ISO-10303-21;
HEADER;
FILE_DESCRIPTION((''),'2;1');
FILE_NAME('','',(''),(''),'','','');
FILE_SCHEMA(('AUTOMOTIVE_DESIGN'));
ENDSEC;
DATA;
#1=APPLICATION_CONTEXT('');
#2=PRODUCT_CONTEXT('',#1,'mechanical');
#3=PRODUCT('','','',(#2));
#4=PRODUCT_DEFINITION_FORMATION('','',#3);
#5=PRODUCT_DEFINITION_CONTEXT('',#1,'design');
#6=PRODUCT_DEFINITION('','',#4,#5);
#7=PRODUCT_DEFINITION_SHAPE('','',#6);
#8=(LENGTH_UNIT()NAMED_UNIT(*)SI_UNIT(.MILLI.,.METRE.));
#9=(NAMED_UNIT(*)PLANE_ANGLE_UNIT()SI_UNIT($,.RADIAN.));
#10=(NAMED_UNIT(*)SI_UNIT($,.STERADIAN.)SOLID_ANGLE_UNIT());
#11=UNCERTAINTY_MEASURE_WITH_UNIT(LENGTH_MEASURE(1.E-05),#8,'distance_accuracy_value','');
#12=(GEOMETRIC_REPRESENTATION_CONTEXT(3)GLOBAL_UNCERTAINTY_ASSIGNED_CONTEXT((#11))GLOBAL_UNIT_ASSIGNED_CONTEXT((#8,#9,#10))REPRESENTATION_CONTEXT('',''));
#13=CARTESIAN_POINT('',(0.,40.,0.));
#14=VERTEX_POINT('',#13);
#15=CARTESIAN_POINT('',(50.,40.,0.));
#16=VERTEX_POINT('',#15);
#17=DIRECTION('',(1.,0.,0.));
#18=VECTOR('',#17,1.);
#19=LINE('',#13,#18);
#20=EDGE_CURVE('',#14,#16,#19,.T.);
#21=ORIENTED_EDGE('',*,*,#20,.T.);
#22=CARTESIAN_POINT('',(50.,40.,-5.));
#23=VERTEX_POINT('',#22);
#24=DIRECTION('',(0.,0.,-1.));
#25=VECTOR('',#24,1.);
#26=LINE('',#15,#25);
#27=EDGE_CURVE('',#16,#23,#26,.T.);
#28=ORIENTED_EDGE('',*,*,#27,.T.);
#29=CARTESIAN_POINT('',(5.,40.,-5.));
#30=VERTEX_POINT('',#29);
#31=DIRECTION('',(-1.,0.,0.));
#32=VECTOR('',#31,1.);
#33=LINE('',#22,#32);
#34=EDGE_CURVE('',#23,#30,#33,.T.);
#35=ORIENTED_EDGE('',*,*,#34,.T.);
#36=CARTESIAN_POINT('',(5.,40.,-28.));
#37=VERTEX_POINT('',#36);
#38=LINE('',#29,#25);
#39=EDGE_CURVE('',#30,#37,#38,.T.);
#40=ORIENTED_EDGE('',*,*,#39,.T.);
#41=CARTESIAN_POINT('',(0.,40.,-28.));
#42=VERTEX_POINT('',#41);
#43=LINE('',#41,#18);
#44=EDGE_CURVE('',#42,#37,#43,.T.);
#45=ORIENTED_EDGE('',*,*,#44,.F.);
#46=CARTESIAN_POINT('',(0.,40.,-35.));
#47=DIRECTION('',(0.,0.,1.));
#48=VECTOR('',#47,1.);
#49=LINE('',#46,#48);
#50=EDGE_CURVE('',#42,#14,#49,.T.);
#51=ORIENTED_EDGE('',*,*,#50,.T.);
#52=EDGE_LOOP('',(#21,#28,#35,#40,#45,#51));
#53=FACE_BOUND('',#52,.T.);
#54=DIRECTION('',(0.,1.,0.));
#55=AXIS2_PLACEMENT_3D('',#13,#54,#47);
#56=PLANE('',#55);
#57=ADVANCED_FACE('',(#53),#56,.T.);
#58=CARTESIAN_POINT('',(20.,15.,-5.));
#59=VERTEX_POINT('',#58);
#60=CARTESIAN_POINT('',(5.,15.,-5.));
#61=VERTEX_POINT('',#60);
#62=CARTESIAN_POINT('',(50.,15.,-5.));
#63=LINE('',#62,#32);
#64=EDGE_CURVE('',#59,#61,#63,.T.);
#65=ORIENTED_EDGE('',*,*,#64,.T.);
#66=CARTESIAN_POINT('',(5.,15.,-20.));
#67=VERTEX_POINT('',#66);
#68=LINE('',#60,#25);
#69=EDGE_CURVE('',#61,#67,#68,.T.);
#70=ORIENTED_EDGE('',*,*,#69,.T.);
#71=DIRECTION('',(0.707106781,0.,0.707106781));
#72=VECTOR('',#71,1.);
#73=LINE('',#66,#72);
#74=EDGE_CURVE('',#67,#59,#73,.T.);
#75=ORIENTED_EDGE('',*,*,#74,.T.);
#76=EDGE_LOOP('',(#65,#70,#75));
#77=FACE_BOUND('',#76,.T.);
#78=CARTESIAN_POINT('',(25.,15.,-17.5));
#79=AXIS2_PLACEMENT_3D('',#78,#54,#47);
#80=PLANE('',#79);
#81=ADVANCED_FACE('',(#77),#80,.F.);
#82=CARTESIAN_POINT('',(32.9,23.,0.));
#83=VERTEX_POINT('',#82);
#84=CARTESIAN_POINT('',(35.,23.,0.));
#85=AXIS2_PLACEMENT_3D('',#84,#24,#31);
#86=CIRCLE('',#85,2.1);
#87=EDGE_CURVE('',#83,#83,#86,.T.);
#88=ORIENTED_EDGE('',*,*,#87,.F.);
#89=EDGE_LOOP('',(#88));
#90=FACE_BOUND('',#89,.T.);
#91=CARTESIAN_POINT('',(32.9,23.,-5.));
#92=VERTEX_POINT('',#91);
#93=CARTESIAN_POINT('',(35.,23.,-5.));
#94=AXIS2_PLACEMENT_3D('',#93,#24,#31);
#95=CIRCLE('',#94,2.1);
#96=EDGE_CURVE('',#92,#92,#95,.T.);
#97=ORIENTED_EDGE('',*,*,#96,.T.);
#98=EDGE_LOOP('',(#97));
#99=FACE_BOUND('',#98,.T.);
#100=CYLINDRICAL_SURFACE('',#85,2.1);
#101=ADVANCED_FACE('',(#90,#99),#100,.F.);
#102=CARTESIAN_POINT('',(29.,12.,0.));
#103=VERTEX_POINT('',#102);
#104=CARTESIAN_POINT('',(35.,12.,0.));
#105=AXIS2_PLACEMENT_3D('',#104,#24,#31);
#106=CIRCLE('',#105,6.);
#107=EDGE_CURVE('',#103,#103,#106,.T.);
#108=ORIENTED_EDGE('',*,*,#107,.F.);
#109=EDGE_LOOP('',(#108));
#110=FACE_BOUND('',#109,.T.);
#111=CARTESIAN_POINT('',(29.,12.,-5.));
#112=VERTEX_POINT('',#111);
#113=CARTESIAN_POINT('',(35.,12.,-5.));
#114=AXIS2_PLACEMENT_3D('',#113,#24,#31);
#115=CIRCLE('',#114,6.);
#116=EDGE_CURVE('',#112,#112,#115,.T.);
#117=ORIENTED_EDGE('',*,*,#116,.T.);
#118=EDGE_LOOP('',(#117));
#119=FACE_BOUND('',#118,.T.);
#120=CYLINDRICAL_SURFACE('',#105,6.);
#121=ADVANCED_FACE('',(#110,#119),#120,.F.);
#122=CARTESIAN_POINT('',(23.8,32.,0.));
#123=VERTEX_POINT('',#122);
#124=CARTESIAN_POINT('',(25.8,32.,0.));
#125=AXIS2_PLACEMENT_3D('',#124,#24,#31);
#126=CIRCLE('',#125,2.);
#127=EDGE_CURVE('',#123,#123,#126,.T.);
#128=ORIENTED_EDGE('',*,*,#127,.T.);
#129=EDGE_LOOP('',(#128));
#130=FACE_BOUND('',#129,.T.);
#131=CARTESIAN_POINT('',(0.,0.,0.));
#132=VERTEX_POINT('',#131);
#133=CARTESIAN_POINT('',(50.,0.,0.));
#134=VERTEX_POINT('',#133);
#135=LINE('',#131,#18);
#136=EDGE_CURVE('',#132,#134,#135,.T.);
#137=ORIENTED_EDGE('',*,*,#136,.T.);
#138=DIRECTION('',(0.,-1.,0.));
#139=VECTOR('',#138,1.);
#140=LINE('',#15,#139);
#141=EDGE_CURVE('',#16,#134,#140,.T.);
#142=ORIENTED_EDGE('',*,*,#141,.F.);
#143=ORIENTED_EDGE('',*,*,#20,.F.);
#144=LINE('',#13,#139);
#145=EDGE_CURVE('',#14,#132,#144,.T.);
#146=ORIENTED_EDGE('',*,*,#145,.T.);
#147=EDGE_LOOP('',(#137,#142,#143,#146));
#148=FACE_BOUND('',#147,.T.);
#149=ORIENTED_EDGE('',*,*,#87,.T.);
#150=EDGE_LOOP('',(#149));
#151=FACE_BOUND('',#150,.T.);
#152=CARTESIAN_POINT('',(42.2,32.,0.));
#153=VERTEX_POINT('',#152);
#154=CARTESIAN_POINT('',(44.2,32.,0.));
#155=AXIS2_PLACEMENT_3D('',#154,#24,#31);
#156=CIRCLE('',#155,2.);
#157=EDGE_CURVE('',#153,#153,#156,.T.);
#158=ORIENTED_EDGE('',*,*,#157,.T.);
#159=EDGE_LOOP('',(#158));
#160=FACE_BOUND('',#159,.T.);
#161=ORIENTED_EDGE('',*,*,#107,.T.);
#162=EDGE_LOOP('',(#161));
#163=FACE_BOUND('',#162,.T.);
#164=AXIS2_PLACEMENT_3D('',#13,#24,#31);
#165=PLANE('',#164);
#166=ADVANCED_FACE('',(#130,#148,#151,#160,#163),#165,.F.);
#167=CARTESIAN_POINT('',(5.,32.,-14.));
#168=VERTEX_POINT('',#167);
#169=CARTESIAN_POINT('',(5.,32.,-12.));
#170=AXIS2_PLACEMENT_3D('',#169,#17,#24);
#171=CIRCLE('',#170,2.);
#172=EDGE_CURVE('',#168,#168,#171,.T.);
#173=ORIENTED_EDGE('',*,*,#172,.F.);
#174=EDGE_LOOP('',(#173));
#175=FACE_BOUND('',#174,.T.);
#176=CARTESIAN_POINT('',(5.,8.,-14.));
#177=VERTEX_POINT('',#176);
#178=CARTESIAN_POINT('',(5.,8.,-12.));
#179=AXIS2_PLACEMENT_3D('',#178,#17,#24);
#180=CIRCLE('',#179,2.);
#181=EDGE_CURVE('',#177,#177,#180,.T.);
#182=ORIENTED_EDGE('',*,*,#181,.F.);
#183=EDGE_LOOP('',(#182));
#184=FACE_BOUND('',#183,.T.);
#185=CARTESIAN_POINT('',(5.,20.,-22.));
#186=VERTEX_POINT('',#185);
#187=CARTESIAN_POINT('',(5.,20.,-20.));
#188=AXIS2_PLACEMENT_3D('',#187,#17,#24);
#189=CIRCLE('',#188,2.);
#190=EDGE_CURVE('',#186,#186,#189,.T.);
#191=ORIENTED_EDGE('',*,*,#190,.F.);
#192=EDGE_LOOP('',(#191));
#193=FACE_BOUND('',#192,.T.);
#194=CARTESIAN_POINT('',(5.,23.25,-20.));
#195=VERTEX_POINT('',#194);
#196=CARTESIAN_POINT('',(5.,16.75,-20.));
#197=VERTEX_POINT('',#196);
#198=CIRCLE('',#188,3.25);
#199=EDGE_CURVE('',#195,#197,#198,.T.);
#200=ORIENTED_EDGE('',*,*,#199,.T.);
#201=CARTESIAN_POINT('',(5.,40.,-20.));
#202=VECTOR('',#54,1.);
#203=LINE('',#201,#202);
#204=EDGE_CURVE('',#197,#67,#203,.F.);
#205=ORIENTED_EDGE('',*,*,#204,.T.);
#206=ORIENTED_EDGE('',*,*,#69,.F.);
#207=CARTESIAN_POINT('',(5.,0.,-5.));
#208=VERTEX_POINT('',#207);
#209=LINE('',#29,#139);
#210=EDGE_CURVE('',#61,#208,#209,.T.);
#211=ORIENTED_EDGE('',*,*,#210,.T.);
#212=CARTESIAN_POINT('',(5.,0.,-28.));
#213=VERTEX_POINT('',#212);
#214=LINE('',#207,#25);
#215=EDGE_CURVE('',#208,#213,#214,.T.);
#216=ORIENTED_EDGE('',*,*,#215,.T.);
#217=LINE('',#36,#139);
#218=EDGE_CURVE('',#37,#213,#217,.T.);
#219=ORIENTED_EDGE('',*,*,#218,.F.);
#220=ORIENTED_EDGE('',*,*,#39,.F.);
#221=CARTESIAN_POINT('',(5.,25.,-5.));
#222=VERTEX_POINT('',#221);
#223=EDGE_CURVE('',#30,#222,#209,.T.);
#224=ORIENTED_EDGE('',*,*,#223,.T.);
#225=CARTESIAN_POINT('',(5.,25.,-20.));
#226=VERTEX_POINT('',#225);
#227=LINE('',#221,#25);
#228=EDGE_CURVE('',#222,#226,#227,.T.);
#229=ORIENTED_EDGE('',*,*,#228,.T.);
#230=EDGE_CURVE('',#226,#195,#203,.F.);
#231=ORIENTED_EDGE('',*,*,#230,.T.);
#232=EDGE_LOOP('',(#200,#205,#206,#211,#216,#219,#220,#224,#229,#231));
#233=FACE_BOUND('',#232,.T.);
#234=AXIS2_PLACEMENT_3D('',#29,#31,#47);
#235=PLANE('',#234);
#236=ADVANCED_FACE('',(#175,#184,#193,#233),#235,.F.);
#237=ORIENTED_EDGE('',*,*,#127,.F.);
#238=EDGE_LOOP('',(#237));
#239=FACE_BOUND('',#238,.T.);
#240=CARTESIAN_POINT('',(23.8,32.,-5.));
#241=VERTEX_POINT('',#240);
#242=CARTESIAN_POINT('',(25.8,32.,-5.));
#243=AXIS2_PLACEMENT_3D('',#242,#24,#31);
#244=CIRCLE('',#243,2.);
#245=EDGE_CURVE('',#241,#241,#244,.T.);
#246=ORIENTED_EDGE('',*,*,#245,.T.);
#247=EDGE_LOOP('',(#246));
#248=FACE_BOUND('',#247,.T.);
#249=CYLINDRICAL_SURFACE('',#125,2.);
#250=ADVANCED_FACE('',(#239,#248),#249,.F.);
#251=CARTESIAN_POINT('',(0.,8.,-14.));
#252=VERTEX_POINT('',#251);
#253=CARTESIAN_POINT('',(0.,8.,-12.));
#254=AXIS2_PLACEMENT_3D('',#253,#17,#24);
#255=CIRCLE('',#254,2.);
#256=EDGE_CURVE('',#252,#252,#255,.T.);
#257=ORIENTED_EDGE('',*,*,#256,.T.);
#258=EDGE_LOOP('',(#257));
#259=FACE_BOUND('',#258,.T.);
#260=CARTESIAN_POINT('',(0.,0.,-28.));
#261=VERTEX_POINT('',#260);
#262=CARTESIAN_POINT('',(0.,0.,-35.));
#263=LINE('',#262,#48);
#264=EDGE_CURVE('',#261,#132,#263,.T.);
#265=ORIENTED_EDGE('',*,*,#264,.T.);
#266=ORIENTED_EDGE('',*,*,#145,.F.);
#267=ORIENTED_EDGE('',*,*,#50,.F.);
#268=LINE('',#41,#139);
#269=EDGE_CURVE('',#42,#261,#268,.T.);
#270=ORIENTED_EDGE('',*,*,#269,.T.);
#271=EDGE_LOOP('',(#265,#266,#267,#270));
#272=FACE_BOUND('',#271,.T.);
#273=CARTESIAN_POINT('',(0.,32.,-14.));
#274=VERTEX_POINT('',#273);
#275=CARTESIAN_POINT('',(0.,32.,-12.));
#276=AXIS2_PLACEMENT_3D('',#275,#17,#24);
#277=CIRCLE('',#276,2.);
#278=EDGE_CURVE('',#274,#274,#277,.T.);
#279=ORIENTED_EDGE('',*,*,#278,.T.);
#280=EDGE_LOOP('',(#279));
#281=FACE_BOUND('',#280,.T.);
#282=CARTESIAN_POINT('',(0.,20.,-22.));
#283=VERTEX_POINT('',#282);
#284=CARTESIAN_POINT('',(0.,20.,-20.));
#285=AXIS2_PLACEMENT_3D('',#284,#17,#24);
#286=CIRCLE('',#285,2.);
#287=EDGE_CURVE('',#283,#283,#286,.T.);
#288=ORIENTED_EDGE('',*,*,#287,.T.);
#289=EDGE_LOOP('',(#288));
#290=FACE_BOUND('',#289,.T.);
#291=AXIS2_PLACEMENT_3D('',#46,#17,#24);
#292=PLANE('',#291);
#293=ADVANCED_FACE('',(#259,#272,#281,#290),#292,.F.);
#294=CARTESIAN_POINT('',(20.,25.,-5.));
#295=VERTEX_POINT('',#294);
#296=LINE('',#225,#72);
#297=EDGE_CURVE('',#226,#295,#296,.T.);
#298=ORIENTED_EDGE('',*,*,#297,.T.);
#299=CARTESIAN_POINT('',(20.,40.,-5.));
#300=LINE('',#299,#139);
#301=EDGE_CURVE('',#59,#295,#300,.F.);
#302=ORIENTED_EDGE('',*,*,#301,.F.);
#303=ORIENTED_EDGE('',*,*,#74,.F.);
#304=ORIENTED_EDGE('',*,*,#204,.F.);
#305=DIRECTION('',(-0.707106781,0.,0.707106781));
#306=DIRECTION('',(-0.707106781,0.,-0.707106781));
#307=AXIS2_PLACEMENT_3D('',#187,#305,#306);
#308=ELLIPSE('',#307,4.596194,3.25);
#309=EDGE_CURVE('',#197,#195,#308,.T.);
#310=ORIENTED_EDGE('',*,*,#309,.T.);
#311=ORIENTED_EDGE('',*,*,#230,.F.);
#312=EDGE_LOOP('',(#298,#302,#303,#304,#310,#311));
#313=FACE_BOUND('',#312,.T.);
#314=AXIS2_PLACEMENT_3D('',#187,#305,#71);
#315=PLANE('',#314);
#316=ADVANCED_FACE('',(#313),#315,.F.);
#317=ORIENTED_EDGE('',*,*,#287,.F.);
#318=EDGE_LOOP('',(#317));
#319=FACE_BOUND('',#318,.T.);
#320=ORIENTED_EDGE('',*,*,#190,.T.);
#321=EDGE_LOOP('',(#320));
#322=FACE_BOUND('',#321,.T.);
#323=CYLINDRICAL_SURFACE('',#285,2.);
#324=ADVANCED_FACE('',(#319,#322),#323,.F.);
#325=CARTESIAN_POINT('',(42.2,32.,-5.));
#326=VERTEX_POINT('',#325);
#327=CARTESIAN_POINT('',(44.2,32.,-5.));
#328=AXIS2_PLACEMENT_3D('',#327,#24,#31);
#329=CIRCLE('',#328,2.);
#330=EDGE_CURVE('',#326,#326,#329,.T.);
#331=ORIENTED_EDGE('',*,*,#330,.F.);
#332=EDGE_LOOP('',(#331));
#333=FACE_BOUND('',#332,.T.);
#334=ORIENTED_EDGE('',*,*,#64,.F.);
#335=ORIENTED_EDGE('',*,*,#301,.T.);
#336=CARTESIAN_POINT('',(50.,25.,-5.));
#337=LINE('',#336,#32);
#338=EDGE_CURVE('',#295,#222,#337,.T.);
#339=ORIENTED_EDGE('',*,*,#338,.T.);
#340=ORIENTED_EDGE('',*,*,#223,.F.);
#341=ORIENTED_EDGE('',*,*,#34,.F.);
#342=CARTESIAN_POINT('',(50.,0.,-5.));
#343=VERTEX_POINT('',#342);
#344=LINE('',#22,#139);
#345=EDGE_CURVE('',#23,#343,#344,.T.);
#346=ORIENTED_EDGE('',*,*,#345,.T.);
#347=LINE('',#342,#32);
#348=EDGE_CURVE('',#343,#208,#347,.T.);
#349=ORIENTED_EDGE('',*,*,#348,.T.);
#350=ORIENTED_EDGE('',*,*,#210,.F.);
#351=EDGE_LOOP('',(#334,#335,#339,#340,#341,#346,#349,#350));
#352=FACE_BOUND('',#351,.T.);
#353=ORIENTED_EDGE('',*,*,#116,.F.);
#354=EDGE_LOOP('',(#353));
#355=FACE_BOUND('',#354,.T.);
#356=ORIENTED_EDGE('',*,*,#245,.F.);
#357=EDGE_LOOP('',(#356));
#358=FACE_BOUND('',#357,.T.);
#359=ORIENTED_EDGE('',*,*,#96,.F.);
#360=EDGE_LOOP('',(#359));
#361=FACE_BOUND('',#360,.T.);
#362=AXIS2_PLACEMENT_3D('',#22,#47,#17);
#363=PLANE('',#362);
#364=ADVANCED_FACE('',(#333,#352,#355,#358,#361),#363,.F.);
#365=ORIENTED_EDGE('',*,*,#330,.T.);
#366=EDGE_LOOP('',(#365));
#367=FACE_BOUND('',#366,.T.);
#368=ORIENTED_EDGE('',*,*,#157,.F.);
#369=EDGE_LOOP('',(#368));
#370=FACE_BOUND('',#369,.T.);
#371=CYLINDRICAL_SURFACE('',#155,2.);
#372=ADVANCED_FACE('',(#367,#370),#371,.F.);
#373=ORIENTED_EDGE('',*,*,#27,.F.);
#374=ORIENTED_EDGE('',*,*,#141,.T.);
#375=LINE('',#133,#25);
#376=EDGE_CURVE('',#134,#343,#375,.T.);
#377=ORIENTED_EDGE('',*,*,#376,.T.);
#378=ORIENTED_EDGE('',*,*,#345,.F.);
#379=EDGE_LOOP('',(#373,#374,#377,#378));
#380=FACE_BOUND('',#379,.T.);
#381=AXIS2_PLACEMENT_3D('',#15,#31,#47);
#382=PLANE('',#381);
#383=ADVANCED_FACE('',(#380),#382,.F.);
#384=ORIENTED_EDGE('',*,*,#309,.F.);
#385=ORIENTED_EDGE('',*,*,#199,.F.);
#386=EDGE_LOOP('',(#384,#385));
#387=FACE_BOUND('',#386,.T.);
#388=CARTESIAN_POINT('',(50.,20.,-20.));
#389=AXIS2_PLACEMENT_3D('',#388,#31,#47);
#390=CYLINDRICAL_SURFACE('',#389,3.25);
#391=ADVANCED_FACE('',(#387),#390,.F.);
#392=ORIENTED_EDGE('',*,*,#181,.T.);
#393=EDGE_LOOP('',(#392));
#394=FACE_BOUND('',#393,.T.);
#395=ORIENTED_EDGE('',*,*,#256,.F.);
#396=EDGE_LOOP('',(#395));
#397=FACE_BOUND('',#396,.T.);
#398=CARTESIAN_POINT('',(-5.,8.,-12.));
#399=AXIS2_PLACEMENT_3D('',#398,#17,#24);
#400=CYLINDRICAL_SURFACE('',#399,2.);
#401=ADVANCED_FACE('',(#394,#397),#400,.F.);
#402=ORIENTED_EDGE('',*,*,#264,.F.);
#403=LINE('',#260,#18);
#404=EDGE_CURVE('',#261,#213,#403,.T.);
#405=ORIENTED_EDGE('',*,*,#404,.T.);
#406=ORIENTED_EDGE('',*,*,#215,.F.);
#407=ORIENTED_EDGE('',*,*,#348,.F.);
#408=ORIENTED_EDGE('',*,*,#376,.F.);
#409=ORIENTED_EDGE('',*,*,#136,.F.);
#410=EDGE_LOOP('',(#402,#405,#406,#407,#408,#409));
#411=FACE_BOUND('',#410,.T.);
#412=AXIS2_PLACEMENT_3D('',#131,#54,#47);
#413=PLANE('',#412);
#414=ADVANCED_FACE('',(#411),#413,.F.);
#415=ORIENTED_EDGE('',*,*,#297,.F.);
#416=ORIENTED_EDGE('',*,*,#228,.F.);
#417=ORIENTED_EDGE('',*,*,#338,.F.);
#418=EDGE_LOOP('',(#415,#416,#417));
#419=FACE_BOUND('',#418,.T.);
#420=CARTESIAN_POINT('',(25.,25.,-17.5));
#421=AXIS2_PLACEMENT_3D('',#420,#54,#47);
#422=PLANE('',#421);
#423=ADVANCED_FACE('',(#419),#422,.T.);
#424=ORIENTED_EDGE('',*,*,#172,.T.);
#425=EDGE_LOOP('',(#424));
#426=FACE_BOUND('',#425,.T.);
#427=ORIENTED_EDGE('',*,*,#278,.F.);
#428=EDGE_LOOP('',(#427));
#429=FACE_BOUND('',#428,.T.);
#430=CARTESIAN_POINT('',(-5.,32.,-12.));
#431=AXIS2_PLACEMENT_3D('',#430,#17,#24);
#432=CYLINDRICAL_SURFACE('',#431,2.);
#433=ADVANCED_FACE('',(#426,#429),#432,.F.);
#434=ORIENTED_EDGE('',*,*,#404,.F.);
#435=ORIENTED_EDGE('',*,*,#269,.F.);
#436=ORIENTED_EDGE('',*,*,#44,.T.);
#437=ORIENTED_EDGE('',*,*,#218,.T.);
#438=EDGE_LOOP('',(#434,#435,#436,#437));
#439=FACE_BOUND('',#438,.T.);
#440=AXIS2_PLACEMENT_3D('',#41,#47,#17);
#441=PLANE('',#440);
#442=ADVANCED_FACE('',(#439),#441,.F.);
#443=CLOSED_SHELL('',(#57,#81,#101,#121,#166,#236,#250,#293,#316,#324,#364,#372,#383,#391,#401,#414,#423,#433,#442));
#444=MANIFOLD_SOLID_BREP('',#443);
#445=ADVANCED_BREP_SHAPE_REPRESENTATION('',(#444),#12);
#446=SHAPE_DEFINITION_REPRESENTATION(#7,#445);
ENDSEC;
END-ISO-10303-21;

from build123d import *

# Parameters (mm, degrees)
BOSS_EXTRUDE2_DEPTH = 40
SKETCH3_R           = 6
SKETCH3_R_2         = 2.1
SKETCH3_R_3         = 2
CUT_EXTRUDE1_DEPTH  = 71.710678119
SKETCH4_R           = 2
CUT_EXTRUDE3_DEPTH  = 10
RIB3_REACH          = 66.226
SKETCH7_WALL_W      = 151.665529222
SKETCH7_WALL_H      = 10
SKETCH8_W           = 7
SKETCH8_H           = 40
CUT_EXTRUDE4_DEPTH  = 70.641941386
SKETCH9_R           = 3.25
CUT_EXTRUDE5_DEPTH  = 67.400301204
SKETCH10_R          = 2
CUT_EXTRUDE6_DEPTH  = 67.400301204


with BuildPart() as part:
    # Sketch1 → Boss-Extrude2 (new body)
    with BuildSketch(Plane(origin=(0, 0, 0), x_dir=(1, 0, 0), z_dir=(0, 1, 0))):
        Polygon((0, 0), (50, 0), (50, 5), (5, 5), (5, 35), (0, 35), align=None)
    extrude(amount=BOSS_EXTRUDE2_DEPTH)

    # Sketch3 → Cut-Extrude1 (cut, through all)
    with BuildSketch(Plane(origin=(0, 0, -5), x_dir=(-1, 0, 0), z_dir=(0, 0, -1))):
        with Locations((-35, 12)):
            Circle(SKETCH3_R)
        with Locations((-35, 23)):
            Circle(SKETCH3_R_2)
        with Locations((-44.2, 32)):
            Circle(SKETCH3_R_3)
        with Locations((-25.8, 32)):
            Circle(SKETCH3_R_3)
    extrude(amount=-CUT_EXTRUDE1_DEPTH, mode=Mode.SUBTRACT)

    # Sketch4 → Cut-Extrude3 (cut)
    with BuildSketch(Plane(origin=(5, 0, 0), x_dir=(0, 0, -1), z_dir=(1, 0, 0))):
        with Locations((12, 32)):
            Circle(SKETCH4_R)
        with Locations((12, 8)):
            Circle(SKETCH4_R)
    extrude(amount=-CUT_EXTRUDE3_DEPTH, mode=Mode.SUBTRACT)

    # Sketch7 wall → Rib3 (add, up to next)
    with BuildSketch(Plane(origin=(12.5, 20, -12.5), x_dir=(0.707106781187, 0, 0.707106781187), z_dir=(0.707106781187, 0, -0.707106781187)), mode=Mode.PRIVATE) as rib3_sk1:
        Rectangle(SKETCH7_WALL_W, SKETCH7_WALL_H)
    rib3_tool1 = extrude(rib3_sk1.sketch, amount=-RIB3_REACH, mode=Mode.PRIVATE) - part.part
    add(rib3_tool1.solids().sort_by_distance((12.5, 20, -12.5))[0])

    # Sketch8 → Cut-Extrude4 (cut, through all)
    with BuildSketch(Plane(origin=(5, 0, 0), x_dir=(0, 0, -1), z_dir=(1, 0, 0))):
        with Locations((31.5, 20)):
            Rectangle(SKETCH8_W, SKETCH8_H)
    extrude(amount=-CUT_EXTRUDE4_DEPTH, mode=Mode.SUBTRACT)

    # Sketch9 → Cut-Extrude5 (cut, through all)
    with BuildSketch(Plane(origin=(5, 0, 0), x_dir=(0, 0, -1), z_dir=(1, 0, 0))):
        with Locations((20, 20)):
            Circle(SKETCH9_R)
    extrude(amount=CUT_EXTRUDE5_DEPTH, mode=Mode.SUBTRACT)

    # Sketch10 → Cut-Extrude6 (cut, through all)
    with BuildSketch(Plane(origin=(5, 0, 0), x_dir=(0, 0, -1), z_dir=(1, 0, 0))):
        with Locations((20, 20)):
            Circle(SKETCH10_R)
    extrude(amount=-CUT_EXTRUDE6_DEPTH, mode=Mode.SUBTRACT)


solid = part.part
